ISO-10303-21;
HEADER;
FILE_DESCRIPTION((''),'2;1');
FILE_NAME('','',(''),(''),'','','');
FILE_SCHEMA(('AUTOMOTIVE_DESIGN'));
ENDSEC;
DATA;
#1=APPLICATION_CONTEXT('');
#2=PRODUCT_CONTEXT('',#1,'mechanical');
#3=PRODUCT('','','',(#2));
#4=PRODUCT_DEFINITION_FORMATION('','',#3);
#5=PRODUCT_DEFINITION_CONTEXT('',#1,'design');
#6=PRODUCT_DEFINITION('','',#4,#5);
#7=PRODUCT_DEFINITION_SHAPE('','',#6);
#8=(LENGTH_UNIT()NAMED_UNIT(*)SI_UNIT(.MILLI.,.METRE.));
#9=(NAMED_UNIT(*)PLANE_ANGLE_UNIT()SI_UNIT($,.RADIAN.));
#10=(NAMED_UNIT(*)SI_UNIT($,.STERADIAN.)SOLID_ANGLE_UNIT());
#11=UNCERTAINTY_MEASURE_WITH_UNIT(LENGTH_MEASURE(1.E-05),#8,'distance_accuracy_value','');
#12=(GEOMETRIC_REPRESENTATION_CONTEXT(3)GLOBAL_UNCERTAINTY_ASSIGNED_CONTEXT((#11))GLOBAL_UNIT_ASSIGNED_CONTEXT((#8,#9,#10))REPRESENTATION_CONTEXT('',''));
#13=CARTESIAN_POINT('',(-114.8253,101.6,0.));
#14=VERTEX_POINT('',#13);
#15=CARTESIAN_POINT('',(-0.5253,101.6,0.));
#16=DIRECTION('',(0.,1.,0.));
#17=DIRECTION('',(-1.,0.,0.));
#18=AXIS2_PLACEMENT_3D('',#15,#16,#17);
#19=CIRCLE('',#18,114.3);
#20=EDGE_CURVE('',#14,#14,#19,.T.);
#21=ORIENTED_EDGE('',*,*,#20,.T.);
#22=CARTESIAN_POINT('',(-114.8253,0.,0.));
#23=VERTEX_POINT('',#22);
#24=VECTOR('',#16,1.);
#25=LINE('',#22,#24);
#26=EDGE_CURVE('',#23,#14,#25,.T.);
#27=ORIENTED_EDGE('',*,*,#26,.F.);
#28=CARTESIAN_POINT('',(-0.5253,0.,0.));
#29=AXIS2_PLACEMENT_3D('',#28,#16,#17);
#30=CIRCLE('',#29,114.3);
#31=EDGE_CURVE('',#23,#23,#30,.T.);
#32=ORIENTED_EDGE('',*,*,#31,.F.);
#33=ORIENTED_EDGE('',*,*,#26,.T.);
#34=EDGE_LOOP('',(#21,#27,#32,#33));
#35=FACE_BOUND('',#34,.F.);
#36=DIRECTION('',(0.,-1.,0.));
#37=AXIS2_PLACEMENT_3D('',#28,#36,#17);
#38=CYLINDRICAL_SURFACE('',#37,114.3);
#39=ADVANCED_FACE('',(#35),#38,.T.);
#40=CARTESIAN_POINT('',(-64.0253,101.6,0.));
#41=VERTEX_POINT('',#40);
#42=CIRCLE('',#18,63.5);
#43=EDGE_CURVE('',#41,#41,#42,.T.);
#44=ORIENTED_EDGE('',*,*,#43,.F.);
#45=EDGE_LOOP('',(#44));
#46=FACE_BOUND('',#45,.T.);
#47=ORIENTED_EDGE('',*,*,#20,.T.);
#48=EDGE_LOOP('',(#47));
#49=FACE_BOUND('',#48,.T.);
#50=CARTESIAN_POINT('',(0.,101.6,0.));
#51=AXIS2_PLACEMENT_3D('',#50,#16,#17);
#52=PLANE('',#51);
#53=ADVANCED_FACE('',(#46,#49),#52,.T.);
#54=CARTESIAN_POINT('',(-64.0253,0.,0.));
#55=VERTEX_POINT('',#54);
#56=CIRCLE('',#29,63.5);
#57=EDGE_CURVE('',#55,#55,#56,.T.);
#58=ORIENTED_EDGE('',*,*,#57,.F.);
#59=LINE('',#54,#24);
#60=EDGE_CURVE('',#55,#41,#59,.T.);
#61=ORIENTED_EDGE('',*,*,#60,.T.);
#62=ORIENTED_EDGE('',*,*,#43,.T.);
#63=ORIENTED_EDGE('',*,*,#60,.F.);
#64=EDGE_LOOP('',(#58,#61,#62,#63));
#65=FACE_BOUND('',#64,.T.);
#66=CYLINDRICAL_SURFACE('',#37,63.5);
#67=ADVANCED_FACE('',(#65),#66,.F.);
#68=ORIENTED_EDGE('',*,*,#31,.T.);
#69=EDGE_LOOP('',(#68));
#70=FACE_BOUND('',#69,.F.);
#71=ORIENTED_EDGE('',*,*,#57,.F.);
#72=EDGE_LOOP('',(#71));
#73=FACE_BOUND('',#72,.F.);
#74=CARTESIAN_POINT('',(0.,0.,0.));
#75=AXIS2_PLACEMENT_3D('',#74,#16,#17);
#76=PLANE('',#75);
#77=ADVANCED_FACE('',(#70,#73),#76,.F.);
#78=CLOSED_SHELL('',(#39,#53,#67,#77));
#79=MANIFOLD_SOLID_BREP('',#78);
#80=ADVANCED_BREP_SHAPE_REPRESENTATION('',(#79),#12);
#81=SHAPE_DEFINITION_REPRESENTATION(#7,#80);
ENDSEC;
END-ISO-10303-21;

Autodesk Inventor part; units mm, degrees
ref_plane "YZ Plane" through (0, 0, 0) normal (1, 0, 0) x (0, 1, 0)
ref_plane "XZ Plane" through (0, 0, 0) normal (0, 1, 0) x (-1, 0, 0)
ref_plane "XY Plane" through (0, 0, 0) normal (0, 0, 1) x (1, 0, 0)
sketch "Sketch1" plane through (0, 0, 0) normal (0, 1, 0) x (-1, 0, 0)
  circle A0 centre (0.5253, 0) radius 114.3
  circle A1 centre (0.5253, 0) radius 63.5
  point P0 (0, 0)
  dimension "d0" = 228.6
  dimension "d1" = 50.8
extrude "Extrusion1" add sketch "Sketch1" along normal blind 101.6
properties part number "ductFan" material "Polycarbonate, Smoke"
